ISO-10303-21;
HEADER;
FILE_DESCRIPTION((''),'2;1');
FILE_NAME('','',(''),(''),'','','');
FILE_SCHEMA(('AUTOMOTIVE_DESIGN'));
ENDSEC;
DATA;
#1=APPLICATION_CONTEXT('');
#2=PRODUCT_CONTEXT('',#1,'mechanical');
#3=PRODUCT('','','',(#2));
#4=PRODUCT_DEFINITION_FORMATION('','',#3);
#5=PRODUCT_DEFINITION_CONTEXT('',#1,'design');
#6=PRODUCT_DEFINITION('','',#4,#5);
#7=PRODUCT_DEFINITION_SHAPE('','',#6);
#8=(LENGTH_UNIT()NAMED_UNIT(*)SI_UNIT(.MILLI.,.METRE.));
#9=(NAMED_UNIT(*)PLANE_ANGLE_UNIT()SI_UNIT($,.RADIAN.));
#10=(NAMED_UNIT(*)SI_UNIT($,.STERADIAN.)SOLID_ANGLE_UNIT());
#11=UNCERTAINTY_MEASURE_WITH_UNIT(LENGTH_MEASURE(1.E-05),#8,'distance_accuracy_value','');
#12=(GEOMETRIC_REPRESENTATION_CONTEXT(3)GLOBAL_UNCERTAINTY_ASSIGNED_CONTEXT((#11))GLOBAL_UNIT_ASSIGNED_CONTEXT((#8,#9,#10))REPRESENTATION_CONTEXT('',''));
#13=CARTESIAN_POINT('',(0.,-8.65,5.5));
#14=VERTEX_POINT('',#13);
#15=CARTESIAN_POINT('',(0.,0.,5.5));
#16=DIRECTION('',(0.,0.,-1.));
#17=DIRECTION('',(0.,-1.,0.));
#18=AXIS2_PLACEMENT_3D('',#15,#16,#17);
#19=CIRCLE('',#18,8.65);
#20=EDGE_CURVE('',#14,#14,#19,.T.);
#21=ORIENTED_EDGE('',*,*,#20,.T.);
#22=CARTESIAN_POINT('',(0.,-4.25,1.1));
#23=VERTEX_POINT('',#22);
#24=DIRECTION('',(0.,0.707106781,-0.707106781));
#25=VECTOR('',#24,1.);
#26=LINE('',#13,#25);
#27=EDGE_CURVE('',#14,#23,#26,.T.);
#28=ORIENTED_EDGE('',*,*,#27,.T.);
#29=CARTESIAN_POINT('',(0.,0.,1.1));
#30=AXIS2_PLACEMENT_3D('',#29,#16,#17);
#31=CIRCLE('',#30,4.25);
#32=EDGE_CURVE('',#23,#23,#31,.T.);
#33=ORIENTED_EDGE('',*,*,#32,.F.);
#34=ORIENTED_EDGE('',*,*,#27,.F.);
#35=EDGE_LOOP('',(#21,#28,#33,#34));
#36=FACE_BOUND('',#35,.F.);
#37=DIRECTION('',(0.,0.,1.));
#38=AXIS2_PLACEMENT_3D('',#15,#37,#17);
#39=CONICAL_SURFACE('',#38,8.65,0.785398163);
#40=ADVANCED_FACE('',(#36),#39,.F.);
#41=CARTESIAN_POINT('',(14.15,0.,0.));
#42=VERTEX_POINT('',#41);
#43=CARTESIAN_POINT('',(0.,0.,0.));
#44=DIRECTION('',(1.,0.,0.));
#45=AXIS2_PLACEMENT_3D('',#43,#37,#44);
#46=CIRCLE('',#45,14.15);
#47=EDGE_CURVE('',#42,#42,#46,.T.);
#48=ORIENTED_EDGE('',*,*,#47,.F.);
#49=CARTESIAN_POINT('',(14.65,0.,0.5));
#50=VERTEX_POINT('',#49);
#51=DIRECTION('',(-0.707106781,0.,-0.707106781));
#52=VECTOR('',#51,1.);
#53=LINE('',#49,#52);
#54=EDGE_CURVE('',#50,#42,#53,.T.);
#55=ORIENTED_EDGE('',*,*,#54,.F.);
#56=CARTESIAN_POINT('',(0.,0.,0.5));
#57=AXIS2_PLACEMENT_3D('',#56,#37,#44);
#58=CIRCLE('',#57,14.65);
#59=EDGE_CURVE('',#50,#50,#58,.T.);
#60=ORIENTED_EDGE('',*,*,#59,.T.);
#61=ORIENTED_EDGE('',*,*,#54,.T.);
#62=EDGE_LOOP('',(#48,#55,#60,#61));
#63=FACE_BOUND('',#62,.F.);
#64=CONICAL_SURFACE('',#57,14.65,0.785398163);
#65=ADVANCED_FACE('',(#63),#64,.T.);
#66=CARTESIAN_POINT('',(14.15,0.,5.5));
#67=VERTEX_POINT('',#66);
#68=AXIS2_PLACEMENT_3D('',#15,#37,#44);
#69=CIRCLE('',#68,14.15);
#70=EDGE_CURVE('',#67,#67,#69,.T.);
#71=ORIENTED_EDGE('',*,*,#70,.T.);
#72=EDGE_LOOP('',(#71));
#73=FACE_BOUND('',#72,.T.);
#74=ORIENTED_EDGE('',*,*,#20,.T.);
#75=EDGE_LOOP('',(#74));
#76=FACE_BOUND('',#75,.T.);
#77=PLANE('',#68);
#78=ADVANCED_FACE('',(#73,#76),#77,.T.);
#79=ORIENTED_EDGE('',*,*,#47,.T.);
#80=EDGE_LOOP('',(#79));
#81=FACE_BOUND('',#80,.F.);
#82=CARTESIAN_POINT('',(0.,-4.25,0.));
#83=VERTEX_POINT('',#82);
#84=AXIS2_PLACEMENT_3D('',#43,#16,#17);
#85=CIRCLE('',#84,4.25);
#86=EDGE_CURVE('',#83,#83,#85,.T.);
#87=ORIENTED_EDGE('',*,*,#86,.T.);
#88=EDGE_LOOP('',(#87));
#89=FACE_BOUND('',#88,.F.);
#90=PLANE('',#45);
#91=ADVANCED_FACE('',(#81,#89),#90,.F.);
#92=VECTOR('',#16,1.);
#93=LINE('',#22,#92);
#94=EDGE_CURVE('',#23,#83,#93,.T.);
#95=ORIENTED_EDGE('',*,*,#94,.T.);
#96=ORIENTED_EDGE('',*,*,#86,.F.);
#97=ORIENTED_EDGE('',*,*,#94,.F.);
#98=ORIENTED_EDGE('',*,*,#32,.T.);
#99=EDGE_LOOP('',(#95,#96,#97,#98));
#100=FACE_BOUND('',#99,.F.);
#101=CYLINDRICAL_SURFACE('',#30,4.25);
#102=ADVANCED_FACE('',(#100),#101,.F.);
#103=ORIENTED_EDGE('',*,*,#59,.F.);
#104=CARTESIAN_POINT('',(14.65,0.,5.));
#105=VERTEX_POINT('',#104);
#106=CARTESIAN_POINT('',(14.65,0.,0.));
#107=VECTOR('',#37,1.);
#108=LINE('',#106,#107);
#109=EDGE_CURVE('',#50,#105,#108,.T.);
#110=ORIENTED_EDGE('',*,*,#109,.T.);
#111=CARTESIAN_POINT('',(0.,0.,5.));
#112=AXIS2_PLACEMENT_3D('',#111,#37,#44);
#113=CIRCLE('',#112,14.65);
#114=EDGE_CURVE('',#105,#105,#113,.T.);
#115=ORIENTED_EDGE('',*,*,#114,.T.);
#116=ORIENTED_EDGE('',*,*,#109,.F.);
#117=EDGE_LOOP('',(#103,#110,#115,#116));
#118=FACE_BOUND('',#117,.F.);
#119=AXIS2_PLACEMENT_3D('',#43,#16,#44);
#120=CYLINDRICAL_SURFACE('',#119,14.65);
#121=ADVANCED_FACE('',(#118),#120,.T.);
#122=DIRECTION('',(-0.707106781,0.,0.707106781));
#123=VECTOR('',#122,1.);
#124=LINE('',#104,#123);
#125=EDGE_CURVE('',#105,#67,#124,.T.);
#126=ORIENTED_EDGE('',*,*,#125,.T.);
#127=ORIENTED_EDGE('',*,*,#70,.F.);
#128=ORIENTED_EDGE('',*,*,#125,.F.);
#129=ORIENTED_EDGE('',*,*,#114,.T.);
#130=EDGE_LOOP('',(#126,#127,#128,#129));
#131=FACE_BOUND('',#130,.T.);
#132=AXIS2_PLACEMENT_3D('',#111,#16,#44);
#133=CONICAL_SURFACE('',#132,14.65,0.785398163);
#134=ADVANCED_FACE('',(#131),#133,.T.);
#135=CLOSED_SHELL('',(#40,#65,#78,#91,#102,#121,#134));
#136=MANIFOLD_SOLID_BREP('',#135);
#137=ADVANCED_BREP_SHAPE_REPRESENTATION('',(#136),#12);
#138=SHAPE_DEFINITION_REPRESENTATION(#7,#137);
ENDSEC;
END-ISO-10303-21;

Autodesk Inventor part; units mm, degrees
ref_plane "YZ Plane" through (0, 0, 0) normal (1, 0, 0) x (0, 1, 0)
ref_plane "XZ Plane" through (0, 0, 0) normal (0, 1, 0) x (-1, 0, 0)
ref_plane "XY Plane" through (0, 0, 0) normal (0, 0, 1) x (1, 0, 0)
sketch "Sketch1" plane through (0, 0, 0) normal (0, 0, 1) x (1, 0, 0)
  circle A0 centre (0, 0) radius 14.65
  dimension "d0" = 29.3
extrude "Extrusion1" add sketch "Sketch1" along normal blind 5.5
chamfer "Chamfer1" distance 0.5 angle 45 2 edges at (-14.65, 0, 5.5) (-14.65, 0, 0)
sketch "Sketch2" plane through (0, 0, 5.5) normal (0, 0, 1) x (1, 0, 0)
  circle A0 centre (0, 0) radius 14.65 projected
hole "Hole1" at (0, 0, 5.5) direction (0, 0, -1) diameter 8.5 depth 8 tip angle 118 countersink diameter 17.3 countersink angle 90
properties part number "ring wiel" material "Stainless Steel"
